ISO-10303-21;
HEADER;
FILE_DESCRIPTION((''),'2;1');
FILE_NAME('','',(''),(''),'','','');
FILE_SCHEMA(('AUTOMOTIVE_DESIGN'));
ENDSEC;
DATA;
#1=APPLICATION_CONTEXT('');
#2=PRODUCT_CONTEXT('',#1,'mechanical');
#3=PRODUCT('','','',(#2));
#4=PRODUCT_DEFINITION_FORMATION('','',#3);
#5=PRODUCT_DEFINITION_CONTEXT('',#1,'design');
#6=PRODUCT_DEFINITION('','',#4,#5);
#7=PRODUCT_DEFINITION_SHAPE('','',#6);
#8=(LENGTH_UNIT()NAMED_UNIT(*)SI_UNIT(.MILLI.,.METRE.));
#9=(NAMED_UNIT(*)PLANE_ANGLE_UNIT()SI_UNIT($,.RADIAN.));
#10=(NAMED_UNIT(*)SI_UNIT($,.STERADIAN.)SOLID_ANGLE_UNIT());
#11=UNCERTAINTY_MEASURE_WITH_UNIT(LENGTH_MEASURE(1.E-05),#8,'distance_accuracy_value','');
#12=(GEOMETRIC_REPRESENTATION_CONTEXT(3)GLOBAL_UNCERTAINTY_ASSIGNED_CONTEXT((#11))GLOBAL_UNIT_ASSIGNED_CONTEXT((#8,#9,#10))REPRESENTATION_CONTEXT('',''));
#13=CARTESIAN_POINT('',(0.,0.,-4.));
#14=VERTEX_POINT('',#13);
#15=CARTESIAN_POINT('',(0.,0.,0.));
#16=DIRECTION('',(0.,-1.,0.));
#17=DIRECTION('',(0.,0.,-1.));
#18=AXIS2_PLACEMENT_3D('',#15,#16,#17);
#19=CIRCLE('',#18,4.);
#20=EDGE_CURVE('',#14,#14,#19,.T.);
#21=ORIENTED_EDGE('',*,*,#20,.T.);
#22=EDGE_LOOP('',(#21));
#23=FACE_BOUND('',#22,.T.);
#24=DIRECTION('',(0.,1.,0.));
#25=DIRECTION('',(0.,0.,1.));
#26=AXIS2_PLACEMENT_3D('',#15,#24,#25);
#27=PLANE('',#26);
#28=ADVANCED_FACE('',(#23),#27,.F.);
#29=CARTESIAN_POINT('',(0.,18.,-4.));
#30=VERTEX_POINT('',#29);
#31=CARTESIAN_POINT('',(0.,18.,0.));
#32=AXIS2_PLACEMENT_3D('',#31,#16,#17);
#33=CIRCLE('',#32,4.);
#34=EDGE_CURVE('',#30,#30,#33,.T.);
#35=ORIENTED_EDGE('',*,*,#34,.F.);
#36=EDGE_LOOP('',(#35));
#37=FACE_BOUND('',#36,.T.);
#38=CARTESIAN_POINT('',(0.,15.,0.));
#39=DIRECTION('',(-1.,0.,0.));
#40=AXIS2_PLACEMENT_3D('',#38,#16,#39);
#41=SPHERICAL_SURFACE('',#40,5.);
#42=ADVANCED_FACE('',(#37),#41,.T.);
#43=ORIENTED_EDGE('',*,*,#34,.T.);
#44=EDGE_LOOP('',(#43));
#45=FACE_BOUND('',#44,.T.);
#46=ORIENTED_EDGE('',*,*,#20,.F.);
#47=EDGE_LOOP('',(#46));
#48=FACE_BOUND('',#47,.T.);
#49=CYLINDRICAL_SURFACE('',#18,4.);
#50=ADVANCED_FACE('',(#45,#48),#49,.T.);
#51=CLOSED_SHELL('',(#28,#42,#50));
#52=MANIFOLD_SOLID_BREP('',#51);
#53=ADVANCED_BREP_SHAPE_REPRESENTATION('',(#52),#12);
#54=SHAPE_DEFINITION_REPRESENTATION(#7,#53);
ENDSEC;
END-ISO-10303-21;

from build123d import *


with BuildPart() as part:
    # Sketch1 → Revolve1 (revolve)
    with BuildSketch(Plane.XY, mode=Mode.PRIVATE) as revolve1_sk:
        with BuildLine():
            Line((0, 0), (-4, 0))
            Line((-4, 0), (-4, 18))
            ThreePointArc((-4, 18), (-2.236067977, 19.472135955), (0, 20))
            Line((0, 20), (0, 0))
        make_face()
    revolve(revolve1_sk.sketch.rotate(Axis((0, 0, 0), (0, 1, 0)), 270), axis=Axis((0, 0, 0), (0, 1, 0)))


solid = part.part
